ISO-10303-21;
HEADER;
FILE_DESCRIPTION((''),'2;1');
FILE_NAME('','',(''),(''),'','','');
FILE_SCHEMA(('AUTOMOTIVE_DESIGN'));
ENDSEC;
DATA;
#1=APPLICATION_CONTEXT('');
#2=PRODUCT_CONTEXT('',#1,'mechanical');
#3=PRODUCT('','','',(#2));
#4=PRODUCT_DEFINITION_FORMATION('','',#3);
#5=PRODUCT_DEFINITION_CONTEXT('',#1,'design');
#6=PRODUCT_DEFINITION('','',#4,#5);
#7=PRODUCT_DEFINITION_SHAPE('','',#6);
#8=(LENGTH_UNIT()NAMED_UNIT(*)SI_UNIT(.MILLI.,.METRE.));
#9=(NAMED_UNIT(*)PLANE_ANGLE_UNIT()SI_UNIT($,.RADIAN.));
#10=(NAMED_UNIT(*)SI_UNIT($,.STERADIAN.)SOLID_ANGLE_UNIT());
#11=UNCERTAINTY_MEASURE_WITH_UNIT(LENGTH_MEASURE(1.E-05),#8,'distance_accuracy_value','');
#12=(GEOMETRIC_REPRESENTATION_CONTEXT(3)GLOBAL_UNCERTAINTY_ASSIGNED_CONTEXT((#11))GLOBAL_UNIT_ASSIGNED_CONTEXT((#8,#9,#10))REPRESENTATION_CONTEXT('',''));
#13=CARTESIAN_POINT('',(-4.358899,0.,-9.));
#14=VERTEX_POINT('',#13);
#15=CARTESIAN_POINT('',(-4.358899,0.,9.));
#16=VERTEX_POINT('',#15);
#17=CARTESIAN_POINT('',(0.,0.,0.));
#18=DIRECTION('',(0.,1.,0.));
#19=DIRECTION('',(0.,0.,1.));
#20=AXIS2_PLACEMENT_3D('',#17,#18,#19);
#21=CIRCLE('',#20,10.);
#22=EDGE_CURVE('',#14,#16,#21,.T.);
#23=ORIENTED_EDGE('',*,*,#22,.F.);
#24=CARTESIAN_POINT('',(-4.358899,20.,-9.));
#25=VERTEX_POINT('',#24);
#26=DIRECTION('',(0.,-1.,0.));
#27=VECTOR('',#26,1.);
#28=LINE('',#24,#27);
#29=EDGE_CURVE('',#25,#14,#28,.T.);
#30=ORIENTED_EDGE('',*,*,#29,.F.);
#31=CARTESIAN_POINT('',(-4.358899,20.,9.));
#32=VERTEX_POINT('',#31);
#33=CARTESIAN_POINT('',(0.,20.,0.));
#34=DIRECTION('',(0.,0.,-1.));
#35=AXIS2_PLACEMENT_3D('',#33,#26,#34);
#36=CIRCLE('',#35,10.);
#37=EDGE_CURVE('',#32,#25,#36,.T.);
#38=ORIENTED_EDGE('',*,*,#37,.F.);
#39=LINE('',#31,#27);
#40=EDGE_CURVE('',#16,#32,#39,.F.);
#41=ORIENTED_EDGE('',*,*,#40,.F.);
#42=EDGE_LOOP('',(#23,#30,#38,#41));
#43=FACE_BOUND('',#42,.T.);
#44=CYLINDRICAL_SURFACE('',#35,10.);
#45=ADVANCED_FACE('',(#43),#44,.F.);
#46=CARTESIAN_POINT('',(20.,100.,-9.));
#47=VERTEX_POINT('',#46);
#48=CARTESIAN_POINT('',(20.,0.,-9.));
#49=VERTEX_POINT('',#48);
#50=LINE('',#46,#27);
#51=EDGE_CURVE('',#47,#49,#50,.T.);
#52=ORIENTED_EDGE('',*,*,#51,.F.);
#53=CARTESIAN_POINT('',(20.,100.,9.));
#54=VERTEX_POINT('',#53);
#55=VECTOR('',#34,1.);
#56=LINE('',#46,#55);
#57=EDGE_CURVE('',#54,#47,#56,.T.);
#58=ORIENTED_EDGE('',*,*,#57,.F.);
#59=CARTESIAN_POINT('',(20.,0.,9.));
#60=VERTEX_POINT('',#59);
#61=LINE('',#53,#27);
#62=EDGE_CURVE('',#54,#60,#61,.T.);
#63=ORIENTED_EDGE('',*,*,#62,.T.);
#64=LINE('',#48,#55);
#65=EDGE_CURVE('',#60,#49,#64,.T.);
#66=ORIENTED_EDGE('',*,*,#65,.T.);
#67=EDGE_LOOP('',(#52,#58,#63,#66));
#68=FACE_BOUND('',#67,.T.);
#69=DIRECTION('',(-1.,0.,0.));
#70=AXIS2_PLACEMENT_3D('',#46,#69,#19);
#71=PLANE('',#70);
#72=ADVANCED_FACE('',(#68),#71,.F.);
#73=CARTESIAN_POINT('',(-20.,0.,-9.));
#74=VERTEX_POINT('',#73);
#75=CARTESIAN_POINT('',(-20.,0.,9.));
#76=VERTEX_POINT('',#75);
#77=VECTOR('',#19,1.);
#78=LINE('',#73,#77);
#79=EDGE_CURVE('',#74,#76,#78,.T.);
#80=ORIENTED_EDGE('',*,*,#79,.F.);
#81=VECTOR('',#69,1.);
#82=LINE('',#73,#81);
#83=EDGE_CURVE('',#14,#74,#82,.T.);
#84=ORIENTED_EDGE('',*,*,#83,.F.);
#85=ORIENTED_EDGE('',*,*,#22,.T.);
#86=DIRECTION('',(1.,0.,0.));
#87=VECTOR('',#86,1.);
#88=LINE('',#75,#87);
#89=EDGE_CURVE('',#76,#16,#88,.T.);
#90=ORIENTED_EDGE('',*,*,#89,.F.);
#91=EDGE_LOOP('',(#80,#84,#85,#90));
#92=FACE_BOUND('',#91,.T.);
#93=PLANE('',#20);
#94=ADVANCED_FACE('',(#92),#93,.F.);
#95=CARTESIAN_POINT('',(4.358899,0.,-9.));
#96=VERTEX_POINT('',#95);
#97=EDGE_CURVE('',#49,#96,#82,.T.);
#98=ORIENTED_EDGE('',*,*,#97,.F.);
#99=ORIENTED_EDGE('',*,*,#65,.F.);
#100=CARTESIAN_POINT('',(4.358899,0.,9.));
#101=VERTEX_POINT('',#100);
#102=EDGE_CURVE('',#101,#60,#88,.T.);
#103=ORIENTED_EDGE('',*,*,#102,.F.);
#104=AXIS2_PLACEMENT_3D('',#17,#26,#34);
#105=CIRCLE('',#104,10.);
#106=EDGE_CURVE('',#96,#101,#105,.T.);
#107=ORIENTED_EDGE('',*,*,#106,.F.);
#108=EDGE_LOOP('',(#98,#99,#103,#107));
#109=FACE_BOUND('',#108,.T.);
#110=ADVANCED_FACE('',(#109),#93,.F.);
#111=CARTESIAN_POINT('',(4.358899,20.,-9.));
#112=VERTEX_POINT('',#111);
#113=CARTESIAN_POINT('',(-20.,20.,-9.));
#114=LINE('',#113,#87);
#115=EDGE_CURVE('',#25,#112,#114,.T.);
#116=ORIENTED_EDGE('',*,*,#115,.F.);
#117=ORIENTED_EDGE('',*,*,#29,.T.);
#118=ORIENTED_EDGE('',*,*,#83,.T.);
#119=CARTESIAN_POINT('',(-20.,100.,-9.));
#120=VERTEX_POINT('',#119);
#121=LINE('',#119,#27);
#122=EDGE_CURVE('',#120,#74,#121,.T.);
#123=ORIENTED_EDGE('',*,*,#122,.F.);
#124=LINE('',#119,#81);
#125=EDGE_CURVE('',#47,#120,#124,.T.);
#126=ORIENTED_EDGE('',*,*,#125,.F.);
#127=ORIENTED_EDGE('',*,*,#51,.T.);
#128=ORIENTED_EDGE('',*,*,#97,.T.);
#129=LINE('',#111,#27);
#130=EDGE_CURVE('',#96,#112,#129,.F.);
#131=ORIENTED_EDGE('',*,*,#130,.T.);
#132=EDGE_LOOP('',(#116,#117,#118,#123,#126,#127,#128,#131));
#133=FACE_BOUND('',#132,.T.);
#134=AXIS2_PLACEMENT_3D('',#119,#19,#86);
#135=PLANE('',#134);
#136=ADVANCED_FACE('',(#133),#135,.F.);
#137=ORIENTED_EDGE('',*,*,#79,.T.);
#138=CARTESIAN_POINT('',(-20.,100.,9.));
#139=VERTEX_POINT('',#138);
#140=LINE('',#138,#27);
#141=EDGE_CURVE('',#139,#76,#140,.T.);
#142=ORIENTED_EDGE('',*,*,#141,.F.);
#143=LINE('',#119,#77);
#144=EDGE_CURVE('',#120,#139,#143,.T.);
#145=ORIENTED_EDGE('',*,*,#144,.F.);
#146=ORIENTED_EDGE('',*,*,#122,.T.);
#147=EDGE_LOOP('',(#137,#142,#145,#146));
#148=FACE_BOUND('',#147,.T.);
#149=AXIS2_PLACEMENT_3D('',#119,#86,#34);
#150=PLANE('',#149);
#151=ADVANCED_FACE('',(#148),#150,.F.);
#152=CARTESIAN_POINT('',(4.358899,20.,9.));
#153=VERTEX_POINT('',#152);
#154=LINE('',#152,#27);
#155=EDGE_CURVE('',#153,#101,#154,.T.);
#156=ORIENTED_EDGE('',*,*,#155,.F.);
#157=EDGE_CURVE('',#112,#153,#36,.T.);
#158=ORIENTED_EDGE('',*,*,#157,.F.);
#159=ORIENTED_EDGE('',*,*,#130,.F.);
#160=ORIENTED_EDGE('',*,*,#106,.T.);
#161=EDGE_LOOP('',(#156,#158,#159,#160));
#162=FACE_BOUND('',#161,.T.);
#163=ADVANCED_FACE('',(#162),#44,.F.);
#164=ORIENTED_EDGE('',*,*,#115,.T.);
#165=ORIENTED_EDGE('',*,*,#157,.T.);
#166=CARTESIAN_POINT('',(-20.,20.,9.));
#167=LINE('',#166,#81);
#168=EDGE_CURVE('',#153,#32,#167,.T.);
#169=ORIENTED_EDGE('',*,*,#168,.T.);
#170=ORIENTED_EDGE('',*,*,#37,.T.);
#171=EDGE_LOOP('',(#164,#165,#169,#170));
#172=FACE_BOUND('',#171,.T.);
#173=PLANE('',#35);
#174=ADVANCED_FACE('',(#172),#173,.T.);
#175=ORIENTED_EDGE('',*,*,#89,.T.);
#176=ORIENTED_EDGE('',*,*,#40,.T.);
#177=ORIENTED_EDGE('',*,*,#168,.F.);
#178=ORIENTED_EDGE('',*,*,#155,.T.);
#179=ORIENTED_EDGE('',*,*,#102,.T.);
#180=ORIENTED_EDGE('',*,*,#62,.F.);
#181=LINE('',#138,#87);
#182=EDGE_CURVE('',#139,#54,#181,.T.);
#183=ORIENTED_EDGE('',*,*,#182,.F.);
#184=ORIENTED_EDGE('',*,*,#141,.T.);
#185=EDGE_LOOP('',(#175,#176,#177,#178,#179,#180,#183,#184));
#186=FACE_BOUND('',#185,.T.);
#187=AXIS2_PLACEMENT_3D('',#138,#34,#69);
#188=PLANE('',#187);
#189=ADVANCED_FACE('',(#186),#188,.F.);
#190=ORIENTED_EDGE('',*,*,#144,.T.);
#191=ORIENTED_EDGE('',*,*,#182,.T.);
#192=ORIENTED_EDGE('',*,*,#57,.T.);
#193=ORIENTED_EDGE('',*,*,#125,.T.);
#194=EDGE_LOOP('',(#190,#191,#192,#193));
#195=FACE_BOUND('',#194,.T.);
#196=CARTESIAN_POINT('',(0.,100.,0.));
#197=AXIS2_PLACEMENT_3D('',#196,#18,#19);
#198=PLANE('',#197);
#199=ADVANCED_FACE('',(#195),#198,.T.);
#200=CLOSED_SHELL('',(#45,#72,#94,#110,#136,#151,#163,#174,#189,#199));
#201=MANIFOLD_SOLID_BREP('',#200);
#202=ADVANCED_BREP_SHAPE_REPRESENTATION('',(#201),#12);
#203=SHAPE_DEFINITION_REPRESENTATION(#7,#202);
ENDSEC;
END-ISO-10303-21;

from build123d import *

# Parameters (mm, degrees)
SKETCH1_W           = 40
SKETCH1_H           = 18
BOSS_EXTRUDE1_DEPTH = 100
SKETCH3_R           = 10
SKETCH3_R_2         = 5
CUT_EXTRUDE2_DEPTH  = 20


with BuildPart() as part:
    # Sketch1 → Boss-Extrude1 (new body)
    with BuildSketch(Plane(origin=(0, 0, 0), x_dir=(1, 0, 0), z_dir=(0, 1, 0))):
        Rectangle(SKETCH1_W, SKETCH1_H)
    extrude(amount=BOSS_EXTRUDE1_DEPTH)

    # Sketch3 → Cut-Extrude2 (cut)
    with BuildSketch(Plane.XZ):
        Circle(SKETCH3_R)
        with Locations((0, 22)):
            Circle(SKETCH3_R_2)
        with Locations((0, -22)):
            Circle(SKETCH3_R_2)
    extrude(amount=-CUT_EXTRUDE2_DEPTH, mode=Mode.SUBTRACT)


solid = part.part
